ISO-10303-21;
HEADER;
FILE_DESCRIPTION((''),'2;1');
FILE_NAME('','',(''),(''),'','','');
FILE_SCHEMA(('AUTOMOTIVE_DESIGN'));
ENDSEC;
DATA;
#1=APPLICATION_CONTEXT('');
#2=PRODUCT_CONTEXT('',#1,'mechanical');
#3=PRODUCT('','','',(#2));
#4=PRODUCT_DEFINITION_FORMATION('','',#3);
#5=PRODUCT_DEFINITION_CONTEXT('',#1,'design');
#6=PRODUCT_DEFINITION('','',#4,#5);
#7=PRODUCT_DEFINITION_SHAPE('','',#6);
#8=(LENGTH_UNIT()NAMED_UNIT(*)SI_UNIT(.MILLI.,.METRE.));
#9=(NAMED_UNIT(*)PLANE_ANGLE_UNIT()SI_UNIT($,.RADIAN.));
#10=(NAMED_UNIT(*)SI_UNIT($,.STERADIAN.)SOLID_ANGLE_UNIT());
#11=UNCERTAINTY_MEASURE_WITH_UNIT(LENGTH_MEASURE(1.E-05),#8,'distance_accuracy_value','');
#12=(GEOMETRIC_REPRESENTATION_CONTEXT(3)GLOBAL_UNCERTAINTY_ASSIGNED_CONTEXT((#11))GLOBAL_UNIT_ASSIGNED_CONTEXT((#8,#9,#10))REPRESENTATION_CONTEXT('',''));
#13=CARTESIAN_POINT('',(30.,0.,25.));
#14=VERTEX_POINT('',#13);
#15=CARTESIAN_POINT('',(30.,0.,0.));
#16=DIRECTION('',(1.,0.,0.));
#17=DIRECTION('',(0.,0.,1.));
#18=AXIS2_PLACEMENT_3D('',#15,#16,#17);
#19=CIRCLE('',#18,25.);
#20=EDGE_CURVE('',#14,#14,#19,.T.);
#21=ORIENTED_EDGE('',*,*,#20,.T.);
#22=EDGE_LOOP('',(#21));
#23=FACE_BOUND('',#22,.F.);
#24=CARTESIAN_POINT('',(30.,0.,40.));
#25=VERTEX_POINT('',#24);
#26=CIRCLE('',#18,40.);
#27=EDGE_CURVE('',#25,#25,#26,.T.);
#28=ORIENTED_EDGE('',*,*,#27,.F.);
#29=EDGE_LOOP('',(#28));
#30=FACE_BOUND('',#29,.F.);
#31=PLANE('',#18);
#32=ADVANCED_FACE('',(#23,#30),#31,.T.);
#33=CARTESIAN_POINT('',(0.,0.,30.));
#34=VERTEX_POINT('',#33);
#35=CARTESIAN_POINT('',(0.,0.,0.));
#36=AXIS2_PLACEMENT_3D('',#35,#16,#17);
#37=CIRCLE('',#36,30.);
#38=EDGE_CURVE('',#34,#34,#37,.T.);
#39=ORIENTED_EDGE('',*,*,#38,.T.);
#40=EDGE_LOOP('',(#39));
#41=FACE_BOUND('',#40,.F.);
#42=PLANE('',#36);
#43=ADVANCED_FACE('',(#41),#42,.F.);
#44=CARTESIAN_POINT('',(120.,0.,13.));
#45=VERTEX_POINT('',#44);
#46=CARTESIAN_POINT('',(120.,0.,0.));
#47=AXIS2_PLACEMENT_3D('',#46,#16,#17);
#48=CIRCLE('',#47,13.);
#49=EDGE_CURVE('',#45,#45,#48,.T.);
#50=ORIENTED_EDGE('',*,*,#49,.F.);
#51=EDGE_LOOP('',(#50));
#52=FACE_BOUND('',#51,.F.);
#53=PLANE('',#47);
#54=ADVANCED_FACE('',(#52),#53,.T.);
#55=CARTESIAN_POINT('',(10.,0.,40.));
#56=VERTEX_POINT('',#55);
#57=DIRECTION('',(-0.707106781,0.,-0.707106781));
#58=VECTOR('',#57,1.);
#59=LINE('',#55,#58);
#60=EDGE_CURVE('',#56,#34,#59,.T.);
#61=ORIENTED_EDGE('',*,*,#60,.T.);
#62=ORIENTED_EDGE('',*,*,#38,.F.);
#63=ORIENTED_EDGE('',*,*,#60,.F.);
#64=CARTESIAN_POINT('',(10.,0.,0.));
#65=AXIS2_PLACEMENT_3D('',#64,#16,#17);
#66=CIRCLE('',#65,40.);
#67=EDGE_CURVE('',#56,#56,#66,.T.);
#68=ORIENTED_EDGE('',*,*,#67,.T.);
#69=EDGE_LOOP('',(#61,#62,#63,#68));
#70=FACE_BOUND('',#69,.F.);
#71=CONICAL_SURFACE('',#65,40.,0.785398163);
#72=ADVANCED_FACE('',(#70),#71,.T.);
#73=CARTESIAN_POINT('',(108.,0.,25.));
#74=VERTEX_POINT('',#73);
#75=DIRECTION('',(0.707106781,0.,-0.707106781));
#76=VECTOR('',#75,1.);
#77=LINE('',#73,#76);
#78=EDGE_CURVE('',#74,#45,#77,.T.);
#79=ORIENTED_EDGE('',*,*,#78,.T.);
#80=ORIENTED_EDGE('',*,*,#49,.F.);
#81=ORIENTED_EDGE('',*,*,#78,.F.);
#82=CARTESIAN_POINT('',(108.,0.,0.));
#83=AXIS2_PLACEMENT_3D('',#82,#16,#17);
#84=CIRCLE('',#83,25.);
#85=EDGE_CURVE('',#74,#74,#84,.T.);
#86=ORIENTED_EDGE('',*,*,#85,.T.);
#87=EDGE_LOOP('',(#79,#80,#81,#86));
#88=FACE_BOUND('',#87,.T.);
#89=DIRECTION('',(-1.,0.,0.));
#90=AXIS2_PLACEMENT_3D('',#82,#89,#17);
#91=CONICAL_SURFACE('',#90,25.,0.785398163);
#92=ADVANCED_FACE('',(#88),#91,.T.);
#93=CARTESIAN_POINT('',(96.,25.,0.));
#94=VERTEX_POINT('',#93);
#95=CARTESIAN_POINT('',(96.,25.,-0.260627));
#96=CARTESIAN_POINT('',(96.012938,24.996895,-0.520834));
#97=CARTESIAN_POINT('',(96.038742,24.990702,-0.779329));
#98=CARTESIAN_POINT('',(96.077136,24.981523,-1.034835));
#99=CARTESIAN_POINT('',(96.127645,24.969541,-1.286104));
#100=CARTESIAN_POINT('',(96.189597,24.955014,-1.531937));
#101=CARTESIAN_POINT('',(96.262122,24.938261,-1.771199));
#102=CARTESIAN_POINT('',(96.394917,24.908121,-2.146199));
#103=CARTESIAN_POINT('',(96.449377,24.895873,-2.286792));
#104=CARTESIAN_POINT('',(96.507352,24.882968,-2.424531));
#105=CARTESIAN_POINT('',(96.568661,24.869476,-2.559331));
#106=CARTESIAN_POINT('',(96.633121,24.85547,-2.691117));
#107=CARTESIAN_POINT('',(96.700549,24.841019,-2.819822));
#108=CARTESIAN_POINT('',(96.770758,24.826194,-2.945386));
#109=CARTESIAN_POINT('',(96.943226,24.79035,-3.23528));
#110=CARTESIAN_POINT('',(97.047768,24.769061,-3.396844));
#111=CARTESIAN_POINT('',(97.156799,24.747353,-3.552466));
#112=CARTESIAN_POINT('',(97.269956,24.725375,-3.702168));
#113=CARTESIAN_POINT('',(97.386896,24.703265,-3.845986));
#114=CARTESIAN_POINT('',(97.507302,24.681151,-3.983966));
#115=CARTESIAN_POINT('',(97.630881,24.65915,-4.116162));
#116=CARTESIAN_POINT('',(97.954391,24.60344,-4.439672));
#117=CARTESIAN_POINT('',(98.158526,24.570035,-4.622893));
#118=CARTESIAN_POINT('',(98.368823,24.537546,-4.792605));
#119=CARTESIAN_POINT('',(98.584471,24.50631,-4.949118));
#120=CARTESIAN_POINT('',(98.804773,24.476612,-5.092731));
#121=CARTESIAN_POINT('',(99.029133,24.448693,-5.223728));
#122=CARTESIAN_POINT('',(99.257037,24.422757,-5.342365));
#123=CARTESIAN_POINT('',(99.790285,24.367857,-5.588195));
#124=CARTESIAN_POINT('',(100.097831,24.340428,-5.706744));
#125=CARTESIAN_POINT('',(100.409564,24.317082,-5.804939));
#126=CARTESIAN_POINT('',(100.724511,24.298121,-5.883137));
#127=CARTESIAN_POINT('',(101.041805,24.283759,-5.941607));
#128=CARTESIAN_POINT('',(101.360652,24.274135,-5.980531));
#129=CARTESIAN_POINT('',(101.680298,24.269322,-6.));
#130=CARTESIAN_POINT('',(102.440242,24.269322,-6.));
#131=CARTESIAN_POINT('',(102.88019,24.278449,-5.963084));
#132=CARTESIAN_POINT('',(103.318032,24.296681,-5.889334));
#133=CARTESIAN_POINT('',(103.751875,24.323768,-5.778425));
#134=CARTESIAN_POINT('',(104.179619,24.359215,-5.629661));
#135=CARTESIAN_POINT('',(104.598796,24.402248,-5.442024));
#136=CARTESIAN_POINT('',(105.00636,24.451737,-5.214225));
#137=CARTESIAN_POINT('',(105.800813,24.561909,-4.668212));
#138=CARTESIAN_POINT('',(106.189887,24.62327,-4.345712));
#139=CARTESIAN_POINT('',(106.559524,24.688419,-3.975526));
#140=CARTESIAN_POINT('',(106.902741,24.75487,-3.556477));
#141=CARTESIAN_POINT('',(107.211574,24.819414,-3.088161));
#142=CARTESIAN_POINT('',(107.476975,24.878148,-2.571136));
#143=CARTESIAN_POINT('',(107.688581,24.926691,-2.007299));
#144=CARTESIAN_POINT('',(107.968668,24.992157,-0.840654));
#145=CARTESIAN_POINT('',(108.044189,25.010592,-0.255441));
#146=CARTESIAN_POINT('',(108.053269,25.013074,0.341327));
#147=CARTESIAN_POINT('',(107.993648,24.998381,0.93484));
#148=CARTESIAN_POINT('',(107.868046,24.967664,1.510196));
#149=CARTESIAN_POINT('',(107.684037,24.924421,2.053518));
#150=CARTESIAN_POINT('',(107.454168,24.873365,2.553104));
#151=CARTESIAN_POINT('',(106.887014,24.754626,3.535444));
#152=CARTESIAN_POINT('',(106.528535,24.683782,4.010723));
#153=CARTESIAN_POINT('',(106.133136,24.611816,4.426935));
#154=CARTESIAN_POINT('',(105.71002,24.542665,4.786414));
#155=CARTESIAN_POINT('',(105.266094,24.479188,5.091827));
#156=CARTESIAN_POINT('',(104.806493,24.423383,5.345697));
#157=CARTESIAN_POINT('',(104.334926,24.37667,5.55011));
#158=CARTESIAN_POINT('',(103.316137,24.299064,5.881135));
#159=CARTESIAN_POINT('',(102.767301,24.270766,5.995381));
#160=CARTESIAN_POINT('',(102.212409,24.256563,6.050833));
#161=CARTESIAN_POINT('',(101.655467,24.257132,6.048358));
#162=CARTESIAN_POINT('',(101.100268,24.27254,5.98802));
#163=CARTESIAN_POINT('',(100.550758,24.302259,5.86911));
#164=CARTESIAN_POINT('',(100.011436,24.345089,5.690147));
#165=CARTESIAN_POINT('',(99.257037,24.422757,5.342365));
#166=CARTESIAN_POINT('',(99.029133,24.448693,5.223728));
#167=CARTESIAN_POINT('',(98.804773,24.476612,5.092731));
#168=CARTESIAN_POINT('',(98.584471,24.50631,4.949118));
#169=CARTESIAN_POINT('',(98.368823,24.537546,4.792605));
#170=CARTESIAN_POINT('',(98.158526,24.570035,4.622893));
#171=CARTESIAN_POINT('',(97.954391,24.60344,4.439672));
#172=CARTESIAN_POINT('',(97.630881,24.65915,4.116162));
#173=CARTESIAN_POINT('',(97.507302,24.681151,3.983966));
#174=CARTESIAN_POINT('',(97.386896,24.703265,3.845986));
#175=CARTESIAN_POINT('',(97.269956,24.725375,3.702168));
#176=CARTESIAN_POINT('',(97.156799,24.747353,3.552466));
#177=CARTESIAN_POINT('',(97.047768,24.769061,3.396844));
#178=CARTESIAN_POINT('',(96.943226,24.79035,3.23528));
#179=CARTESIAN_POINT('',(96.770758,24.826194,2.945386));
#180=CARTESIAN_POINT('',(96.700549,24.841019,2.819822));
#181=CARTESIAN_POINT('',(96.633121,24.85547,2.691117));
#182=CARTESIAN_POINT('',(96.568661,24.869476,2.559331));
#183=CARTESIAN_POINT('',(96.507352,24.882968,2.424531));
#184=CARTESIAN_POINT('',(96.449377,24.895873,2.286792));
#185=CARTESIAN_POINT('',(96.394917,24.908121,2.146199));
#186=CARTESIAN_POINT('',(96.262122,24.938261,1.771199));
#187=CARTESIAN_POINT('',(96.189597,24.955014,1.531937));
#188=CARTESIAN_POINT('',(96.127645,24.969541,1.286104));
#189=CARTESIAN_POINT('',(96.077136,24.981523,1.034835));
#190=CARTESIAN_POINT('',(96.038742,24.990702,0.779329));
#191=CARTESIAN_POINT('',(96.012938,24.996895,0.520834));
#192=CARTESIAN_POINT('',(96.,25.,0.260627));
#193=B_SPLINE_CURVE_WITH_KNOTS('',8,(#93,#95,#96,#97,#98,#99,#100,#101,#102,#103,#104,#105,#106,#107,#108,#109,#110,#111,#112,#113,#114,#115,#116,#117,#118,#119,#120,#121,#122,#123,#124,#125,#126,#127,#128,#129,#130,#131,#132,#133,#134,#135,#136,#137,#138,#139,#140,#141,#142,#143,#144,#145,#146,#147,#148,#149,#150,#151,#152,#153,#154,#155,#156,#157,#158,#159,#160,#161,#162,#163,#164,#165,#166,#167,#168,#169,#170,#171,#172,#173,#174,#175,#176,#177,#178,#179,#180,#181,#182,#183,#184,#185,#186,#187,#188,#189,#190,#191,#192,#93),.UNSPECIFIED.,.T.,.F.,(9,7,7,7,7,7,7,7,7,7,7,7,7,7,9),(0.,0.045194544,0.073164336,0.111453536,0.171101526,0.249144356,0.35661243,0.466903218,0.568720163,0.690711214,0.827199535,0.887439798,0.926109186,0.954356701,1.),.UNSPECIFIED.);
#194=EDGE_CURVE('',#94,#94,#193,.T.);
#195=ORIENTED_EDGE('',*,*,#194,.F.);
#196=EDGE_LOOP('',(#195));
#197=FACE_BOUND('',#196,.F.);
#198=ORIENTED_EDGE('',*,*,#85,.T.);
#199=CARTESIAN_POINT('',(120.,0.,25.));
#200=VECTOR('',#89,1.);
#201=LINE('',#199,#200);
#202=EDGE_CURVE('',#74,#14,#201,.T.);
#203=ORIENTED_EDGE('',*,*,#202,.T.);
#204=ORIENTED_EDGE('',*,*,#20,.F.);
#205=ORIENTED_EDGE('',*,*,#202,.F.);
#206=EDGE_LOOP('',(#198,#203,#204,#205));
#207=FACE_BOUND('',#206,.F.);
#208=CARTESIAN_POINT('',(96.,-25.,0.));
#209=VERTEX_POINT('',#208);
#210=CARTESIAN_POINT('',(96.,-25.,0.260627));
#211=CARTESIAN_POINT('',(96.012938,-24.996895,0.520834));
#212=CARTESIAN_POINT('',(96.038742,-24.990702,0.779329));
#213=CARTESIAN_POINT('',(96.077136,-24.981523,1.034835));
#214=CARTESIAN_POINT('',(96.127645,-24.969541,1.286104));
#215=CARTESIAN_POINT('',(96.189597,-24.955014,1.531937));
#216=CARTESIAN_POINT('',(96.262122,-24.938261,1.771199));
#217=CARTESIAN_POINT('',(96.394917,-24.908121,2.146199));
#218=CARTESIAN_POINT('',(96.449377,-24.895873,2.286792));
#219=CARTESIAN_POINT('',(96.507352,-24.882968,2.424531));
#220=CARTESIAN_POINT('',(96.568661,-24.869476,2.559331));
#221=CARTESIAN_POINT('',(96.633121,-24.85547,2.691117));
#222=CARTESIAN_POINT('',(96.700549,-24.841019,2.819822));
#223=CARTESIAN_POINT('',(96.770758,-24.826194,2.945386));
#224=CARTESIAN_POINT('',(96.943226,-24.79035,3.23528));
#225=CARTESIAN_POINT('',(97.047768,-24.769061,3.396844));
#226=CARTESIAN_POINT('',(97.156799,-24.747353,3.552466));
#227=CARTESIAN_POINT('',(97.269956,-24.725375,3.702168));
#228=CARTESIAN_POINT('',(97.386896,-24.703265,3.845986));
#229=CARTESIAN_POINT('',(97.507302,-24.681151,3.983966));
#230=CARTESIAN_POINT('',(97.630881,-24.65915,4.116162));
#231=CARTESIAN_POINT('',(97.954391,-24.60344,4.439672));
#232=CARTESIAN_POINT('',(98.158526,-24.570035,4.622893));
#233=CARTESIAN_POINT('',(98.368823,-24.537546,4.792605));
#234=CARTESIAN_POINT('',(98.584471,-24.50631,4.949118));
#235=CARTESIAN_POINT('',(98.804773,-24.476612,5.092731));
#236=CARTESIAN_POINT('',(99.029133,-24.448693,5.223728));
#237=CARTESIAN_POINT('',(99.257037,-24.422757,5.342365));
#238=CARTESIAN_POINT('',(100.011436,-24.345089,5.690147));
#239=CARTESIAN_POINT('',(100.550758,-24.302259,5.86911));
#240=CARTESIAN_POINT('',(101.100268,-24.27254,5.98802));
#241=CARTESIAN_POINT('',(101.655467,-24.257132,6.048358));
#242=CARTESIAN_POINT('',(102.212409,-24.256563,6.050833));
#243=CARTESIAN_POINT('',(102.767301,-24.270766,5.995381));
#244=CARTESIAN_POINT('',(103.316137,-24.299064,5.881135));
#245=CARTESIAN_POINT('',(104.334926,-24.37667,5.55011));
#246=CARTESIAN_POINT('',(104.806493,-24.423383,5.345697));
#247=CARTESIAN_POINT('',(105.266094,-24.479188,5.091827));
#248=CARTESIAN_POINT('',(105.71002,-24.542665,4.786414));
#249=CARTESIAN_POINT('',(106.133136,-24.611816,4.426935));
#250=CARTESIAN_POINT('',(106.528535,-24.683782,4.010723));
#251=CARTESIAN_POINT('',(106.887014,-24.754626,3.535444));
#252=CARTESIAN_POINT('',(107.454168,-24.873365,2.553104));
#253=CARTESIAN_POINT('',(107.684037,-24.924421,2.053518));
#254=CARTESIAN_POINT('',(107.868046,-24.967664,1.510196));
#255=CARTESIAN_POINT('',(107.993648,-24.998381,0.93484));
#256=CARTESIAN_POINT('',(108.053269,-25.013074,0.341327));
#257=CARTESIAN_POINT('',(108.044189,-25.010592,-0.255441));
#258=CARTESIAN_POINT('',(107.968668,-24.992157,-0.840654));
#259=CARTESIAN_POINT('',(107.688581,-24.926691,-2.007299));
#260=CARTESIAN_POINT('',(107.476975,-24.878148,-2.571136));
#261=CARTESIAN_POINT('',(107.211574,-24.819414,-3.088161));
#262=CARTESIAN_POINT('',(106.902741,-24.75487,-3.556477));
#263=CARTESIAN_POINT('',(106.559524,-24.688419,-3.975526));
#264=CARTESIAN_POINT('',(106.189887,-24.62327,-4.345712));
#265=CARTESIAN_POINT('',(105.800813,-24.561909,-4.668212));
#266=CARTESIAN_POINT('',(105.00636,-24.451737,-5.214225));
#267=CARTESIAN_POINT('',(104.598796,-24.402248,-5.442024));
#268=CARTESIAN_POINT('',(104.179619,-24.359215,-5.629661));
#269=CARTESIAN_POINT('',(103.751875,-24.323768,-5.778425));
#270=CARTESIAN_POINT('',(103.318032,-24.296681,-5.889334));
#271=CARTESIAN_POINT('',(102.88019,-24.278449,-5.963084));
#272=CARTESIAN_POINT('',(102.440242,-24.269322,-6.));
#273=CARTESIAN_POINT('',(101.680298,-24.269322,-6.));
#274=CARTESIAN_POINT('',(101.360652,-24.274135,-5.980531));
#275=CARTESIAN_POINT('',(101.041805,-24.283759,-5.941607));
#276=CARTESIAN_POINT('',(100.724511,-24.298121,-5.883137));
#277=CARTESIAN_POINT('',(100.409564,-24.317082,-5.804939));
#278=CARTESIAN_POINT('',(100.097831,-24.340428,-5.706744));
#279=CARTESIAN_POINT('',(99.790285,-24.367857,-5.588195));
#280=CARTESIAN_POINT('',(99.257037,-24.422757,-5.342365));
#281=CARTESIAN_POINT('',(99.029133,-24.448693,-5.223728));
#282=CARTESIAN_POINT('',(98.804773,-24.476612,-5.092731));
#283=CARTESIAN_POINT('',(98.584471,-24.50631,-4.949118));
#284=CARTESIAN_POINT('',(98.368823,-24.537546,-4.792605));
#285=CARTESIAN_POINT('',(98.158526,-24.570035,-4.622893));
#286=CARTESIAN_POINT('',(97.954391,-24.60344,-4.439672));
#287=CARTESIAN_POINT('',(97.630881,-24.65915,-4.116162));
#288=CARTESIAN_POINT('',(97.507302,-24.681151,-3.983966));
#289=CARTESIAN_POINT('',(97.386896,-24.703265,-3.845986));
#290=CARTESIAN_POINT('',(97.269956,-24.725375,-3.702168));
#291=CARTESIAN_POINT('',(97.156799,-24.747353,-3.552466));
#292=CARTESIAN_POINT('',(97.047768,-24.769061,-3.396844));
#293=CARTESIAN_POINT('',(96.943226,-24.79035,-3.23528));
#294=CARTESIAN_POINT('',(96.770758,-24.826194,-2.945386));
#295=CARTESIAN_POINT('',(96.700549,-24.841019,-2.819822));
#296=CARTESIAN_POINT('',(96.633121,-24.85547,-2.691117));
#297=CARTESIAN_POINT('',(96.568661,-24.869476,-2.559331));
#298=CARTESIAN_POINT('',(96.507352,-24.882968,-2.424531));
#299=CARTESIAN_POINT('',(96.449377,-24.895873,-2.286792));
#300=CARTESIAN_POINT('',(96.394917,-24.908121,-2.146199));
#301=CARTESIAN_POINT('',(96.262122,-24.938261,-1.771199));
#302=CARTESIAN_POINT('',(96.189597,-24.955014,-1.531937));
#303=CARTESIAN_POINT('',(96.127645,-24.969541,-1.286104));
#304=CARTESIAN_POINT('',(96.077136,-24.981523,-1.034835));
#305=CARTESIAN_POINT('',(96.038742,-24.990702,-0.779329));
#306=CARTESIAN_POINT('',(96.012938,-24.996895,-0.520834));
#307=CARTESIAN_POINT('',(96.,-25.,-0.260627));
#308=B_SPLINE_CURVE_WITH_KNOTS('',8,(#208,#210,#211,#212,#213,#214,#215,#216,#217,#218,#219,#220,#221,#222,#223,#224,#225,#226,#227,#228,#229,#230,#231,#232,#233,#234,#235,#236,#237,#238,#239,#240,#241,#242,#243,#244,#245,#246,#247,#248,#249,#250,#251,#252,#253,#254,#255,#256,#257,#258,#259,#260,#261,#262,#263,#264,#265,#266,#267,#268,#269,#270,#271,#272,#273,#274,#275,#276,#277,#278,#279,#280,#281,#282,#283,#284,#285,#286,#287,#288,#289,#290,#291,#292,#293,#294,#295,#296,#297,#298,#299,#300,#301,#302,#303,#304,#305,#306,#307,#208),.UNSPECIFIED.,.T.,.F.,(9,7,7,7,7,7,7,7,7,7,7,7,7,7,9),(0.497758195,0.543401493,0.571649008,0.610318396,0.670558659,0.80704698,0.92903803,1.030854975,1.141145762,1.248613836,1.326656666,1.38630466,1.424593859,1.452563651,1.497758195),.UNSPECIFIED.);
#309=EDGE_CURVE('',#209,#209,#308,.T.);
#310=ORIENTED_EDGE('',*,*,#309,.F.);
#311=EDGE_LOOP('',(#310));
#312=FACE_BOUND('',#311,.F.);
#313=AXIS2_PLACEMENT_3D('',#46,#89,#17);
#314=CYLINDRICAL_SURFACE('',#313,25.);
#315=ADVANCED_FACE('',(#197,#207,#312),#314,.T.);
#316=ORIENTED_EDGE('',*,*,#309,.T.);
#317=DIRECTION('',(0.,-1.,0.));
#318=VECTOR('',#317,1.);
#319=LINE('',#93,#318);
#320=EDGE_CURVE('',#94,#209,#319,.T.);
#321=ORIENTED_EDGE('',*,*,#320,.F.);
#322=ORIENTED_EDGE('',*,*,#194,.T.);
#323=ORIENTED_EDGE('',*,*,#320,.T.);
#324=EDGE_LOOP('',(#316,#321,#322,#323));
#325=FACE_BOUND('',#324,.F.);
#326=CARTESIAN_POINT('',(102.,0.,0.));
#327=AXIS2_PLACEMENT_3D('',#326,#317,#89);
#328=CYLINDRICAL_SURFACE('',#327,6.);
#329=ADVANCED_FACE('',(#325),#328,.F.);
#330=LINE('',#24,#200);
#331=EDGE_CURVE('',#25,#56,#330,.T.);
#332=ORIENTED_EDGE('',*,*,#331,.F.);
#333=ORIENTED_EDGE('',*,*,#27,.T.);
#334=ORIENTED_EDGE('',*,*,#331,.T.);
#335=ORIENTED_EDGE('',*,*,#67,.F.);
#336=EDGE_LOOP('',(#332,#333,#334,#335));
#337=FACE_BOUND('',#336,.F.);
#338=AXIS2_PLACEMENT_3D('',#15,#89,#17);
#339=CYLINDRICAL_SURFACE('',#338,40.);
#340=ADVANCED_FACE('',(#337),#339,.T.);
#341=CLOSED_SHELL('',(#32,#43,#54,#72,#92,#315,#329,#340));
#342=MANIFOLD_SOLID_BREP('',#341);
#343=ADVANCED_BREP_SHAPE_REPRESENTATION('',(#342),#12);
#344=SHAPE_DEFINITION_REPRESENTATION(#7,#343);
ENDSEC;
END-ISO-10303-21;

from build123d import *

# Parameters (mm, degrees)
F2_SIZE2 = 10
F2_SIZE  = 10
F3_DEPTH = 25
F4_SIZE2 = 12
F4_SIZE  = 12


with BuildPart() as f1:
    # F0 (on Front) → F1 (revolve)
    with BuildSketch(Plane.XZ):
        Polygon((0, 40), (0, 0), (30, 0), (30, 25), (30, 40), align=None)
        with BuildLine():
            Line((30, 25), (30, 0))
            Line((30, 0), (96, 0))
            ThreePointArc((96, 0), (102, 6), (108, 0))
            Line((108, 0), (120, 0))
            Line((120, 0), (120, 25))
            Line((120, 25), (30, 25))
        make_face()
        with BuildLine():
            ThreePointArc((108, 0), (102, 6), (96, 0))
            Line((96, 0), (108, 0))
        make_face()
        with BuildLine():
            Line((108, 0), (96, 0))
            ThreePointArc((96, 0), (102, -6), (108, 0))
        make_face()
    revolve(axis=Axis((75, 0, 0), (1, 0, 0)))

    # F2
    f2_edges = [f1.edges().sort_by_distance(p)[0] for p in [
        (0, 0, -40),
    ]]
    chamfer(f2_edges, length=F2_SIZE, length2=F2_SIZE2)

    # F0 (on Front) → F3 (cut, symmetric)
    with BuildSketch(Plane.XZ):
        with BuildLine():
            ThreePointArc((108, 0), (102, 6), (96, 0))
            Line((96, 0), (108, 0))
        make_face()
        with BuildLine():
            Line((108, 0), (96, 0))
            ThreePointArc((96, 0), (102, -6), (108, 0))
        make_face()
    extrude(amount=F3_DEPTH, both=True, mode=Mode.SUBTRACT)

    # F4
    f4_edges = [f1.edges().sort_by_distance(p)[0] for p in [
        (120, 0, -25),
    ]]
    chamfer(f4_edges, length=F4_SIZE, length2=F4_SIZE2)


solid = f1.part
